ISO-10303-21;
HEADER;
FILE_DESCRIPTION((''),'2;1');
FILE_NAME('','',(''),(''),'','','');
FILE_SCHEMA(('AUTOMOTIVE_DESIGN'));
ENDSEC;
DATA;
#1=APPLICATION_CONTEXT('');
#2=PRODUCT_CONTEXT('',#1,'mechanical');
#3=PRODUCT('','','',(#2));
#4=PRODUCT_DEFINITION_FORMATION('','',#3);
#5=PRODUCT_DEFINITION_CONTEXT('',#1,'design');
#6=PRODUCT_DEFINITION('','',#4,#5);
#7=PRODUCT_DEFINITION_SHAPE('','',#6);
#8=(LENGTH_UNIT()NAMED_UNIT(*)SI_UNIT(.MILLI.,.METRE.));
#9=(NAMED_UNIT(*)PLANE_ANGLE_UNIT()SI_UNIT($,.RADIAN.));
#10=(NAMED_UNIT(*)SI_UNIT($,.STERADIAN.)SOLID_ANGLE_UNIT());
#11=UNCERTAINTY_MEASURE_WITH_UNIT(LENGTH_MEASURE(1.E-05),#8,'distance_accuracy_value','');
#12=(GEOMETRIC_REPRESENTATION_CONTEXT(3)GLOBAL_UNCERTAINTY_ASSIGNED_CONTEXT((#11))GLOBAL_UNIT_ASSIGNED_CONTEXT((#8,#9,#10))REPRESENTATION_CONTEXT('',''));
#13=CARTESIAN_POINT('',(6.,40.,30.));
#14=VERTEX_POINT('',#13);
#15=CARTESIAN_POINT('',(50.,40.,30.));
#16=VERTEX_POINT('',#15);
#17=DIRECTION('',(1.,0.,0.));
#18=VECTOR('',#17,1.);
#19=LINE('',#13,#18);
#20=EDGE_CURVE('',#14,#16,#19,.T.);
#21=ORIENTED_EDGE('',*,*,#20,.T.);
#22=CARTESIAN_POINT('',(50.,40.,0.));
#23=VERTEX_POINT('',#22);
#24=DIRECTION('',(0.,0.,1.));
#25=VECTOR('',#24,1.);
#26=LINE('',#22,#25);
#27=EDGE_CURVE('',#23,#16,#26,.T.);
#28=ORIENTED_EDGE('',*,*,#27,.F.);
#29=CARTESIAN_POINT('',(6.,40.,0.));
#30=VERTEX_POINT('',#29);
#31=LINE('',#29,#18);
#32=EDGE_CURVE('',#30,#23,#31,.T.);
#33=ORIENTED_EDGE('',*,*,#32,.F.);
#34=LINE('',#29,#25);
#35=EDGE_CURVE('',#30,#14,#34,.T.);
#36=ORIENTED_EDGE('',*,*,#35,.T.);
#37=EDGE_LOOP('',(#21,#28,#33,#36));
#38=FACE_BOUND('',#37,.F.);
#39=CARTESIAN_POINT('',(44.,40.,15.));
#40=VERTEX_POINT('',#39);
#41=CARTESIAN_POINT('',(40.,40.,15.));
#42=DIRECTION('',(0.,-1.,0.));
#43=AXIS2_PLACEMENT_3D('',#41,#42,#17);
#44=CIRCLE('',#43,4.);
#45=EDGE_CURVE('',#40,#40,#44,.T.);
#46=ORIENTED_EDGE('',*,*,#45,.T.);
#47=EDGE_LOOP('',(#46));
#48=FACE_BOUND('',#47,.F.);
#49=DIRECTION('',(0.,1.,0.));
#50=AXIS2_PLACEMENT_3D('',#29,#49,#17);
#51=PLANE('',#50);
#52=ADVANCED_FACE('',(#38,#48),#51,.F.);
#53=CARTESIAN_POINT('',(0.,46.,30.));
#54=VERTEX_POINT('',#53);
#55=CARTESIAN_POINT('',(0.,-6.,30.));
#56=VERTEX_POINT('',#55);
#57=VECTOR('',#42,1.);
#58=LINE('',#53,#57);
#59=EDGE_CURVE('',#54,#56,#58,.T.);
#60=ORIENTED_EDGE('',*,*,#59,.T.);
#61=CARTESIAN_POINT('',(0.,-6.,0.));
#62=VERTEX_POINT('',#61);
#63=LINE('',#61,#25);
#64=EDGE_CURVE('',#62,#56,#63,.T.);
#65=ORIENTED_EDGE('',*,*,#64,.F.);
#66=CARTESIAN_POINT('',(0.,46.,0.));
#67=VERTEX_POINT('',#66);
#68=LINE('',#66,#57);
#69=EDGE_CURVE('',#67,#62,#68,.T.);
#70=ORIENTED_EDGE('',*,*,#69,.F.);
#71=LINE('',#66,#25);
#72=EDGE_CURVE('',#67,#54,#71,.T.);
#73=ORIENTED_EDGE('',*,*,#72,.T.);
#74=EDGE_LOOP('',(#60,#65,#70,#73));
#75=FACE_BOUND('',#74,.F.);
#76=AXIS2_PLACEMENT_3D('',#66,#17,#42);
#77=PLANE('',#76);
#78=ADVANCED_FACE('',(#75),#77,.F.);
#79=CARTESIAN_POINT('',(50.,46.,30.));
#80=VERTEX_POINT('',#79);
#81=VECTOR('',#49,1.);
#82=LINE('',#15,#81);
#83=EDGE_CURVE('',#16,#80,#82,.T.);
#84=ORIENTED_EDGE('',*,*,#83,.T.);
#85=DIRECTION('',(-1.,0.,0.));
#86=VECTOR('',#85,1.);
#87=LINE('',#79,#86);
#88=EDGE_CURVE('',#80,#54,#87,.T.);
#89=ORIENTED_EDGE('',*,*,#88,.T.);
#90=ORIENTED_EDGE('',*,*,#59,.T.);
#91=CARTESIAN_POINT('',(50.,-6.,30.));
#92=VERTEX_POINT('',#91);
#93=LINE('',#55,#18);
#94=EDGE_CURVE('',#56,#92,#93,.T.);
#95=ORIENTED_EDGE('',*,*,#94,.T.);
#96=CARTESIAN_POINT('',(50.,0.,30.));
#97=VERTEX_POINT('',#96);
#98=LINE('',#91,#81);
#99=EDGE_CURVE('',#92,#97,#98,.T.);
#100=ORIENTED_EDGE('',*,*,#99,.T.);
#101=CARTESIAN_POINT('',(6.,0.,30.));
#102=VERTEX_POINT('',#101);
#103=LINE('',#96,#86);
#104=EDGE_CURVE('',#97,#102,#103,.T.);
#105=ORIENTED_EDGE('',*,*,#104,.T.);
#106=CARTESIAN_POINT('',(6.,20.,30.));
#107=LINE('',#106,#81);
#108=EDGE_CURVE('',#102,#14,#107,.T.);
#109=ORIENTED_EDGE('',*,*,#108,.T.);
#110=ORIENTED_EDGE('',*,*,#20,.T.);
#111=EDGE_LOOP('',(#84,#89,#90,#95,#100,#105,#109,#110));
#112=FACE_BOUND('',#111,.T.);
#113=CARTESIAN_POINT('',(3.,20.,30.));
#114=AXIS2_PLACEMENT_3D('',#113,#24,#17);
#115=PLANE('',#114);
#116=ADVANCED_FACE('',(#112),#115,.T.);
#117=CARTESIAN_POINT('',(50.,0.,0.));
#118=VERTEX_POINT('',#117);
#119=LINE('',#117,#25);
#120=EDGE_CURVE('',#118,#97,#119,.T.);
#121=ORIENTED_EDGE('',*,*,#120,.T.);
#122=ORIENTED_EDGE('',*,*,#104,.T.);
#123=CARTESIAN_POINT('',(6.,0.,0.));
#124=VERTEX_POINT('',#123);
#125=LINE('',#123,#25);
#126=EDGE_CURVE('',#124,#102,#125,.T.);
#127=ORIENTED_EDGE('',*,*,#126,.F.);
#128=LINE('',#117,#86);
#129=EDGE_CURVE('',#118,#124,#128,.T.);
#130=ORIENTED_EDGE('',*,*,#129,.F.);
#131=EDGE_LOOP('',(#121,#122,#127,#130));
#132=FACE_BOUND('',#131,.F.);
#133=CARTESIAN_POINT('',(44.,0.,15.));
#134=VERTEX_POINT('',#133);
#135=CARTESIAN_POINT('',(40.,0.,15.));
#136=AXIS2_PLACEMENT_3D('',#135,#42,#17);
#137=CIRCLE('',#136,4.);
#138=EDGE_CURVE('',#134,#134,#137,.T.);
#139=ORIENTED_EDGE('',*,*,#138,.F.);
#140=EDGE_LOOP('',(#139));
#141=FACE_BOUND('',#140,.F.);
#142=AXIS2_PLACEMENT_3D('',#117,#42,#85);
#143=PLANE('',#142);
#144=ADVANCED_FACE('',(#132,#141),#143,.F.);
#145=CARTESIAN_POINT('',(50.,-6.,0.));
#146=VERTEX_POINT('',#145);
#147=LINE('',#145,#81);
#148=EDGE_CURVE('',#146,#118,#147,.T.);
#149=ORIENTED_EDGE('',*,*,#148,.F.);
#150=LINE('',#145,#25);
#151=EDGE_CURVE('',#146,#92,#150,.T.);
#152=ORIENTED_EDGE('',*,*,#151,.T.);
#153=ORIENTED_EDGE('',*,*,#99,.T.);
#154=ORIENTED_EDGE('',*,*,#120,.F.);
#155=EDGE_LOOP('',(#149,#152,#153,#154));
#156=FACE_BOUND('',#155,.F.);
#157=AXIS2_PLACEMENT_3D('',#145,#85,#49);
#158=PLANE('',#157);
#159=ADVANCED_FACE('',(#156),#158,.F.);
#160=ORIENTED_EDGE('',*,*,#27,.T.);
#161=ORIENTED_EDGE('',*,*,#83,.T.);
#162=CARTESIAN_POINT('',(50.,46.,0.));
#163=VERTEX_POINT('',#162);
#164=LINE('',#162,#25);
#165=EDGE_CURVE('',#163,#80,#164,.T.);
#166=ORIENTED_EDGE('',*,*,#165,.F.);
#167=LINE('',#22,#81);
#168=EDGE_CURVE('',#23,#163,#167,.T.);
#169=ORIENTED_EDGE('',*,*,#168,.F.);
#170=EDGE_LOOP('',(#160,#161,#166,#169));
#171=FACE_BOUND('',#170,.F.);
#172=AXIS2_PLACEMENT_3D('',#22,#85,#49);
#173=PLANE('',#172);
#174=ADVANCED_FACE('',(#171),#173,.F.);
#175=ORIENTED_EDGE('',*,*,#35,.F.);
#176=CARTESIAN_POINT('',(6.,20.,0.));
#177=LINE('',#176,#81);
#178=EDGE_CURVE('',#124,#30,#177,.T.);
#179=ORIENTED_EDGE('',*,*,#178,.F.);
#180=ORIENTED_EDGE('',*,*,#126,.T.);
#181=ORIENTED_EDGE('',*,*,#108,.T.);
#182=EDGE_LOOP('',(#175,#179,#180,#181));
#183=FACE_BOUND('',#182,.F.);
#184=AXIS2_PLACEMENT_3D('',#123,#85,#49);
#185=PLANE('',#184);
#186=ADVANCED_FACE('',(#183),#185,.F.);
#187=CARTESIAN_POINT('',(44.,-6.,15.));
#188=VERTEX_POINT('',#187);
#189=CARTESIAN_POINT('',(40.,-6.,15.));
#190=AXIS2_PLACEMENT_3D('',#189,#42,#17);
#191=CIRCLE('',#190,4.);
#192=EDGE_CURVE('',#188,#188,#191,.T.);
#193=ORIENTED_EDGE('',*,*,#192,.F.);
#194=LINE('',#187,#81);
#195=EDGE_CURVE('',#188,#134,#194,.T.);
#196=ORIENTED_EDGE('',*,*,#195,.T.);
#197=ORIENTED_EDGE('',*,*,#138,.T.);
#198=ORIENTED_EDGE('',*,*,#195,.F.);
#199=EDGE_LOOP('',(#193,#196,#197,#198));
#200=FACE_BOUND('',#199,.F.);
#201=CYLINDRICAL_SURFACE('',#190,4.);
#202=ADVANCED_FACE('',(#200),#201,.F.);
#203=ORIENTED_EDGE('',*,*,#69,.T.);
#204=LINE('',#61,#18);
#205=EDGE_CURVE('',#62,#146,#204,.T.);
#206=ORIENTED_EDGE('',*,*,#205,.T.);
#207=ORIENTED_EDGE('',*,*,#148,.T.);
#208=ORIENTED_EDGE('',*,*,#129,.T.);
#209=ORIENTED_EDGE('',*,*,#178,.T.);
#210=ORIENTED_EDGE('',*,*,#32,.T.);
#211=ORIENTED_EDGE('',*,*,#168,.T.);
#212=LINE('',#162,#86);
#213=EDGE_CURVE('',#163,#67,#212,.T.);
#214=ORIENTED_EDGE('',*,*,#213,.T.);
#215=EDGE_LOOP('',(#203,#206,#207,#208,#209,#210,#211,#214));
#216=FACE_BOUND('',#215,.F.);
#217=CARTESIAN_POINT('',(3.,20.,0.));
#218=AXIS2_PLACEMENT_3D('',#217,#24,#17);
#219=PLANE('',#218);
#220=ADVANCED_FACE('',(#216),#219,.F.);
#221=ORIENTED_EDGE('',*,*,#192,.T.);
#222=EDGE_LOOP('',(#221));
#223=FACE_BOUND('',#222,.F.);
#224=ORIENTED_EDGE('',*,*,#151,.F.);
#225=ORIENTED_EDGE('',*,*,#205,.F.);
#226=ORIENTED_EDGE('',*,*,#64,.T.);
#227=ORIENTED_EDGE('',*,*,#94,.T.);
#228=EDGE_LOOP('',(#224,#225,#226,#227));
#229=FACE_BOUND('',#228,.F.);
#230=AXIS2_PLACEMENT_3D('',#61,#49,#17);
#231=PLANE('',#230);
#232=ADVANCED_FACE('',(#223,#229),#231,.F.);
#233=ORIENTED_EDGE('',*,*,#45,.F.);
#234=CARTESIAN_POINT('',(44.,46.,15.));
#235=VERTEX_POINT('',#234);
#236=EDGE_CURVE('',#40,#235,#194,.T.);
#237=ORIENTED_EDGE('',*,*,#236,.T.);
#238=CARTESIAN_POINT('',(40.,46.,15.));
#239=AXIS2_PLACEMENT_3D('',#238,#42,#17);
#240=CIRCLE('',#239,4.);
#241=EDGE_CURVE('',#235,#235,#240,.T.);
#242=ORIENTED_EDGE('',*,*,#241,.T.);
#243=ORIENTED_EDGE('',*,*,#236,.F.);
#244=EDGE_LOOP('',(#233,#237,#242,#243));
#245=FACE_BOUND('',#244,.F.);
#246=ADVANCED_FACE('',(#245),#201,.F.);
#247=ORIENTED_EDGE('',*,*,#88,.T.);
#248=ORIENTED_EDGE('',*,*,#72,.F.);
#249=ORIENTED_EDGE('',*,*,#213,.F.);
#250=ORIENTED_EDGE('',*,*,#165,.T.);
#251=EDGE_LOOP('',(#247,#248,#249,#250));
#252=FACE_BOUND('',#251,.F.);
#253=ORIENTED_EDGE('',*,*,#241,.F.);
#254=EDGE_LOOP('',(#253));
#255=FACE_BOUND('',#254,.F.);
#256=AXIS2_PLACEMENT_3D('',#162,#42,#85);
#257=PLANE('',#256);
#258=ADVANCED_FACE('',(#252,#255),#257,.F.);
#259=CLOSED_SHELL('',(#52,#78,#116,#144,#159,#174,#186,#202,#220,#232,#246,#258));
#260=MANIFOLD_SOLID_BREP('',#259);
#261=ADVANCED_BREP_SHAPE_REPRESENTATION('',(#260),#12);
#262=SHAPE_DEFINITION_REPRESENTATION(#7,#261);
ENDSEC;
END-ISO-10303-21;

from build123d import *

# Parameters (mm, degrees)
F0_W     = 6
F0_H     = 40
F1_DEPTH = 30
F2_R     = 4
F3_DEPTH = 52.001


with BuildPart() as f1:
    # F0 (on Top) → F1 (new body)
    with BuildSketch(Plane.XY):
        with Locations((3, 20)):
            Rectangle(F0_W, F0_H)
        Polygon((6, 0), (0, 0), (0, -6), (50, -6), (50, 0), align=None)
        Polygon((0, 46), (0, 40), (6, 40), (50, 40), (50, 46), align=None)
    extrude(amount=F1_DEPTH)

    # F2 (on face) → F3 (cut, through all)
    with BuildSketch(Plane.XZ.offset(6)):
        with Locations((40, 15)):
            Circle(F2_R)
    extrude(amount=-F3_DEPTH, mode=Mode.SUBTRACT)


solid = f1.part
